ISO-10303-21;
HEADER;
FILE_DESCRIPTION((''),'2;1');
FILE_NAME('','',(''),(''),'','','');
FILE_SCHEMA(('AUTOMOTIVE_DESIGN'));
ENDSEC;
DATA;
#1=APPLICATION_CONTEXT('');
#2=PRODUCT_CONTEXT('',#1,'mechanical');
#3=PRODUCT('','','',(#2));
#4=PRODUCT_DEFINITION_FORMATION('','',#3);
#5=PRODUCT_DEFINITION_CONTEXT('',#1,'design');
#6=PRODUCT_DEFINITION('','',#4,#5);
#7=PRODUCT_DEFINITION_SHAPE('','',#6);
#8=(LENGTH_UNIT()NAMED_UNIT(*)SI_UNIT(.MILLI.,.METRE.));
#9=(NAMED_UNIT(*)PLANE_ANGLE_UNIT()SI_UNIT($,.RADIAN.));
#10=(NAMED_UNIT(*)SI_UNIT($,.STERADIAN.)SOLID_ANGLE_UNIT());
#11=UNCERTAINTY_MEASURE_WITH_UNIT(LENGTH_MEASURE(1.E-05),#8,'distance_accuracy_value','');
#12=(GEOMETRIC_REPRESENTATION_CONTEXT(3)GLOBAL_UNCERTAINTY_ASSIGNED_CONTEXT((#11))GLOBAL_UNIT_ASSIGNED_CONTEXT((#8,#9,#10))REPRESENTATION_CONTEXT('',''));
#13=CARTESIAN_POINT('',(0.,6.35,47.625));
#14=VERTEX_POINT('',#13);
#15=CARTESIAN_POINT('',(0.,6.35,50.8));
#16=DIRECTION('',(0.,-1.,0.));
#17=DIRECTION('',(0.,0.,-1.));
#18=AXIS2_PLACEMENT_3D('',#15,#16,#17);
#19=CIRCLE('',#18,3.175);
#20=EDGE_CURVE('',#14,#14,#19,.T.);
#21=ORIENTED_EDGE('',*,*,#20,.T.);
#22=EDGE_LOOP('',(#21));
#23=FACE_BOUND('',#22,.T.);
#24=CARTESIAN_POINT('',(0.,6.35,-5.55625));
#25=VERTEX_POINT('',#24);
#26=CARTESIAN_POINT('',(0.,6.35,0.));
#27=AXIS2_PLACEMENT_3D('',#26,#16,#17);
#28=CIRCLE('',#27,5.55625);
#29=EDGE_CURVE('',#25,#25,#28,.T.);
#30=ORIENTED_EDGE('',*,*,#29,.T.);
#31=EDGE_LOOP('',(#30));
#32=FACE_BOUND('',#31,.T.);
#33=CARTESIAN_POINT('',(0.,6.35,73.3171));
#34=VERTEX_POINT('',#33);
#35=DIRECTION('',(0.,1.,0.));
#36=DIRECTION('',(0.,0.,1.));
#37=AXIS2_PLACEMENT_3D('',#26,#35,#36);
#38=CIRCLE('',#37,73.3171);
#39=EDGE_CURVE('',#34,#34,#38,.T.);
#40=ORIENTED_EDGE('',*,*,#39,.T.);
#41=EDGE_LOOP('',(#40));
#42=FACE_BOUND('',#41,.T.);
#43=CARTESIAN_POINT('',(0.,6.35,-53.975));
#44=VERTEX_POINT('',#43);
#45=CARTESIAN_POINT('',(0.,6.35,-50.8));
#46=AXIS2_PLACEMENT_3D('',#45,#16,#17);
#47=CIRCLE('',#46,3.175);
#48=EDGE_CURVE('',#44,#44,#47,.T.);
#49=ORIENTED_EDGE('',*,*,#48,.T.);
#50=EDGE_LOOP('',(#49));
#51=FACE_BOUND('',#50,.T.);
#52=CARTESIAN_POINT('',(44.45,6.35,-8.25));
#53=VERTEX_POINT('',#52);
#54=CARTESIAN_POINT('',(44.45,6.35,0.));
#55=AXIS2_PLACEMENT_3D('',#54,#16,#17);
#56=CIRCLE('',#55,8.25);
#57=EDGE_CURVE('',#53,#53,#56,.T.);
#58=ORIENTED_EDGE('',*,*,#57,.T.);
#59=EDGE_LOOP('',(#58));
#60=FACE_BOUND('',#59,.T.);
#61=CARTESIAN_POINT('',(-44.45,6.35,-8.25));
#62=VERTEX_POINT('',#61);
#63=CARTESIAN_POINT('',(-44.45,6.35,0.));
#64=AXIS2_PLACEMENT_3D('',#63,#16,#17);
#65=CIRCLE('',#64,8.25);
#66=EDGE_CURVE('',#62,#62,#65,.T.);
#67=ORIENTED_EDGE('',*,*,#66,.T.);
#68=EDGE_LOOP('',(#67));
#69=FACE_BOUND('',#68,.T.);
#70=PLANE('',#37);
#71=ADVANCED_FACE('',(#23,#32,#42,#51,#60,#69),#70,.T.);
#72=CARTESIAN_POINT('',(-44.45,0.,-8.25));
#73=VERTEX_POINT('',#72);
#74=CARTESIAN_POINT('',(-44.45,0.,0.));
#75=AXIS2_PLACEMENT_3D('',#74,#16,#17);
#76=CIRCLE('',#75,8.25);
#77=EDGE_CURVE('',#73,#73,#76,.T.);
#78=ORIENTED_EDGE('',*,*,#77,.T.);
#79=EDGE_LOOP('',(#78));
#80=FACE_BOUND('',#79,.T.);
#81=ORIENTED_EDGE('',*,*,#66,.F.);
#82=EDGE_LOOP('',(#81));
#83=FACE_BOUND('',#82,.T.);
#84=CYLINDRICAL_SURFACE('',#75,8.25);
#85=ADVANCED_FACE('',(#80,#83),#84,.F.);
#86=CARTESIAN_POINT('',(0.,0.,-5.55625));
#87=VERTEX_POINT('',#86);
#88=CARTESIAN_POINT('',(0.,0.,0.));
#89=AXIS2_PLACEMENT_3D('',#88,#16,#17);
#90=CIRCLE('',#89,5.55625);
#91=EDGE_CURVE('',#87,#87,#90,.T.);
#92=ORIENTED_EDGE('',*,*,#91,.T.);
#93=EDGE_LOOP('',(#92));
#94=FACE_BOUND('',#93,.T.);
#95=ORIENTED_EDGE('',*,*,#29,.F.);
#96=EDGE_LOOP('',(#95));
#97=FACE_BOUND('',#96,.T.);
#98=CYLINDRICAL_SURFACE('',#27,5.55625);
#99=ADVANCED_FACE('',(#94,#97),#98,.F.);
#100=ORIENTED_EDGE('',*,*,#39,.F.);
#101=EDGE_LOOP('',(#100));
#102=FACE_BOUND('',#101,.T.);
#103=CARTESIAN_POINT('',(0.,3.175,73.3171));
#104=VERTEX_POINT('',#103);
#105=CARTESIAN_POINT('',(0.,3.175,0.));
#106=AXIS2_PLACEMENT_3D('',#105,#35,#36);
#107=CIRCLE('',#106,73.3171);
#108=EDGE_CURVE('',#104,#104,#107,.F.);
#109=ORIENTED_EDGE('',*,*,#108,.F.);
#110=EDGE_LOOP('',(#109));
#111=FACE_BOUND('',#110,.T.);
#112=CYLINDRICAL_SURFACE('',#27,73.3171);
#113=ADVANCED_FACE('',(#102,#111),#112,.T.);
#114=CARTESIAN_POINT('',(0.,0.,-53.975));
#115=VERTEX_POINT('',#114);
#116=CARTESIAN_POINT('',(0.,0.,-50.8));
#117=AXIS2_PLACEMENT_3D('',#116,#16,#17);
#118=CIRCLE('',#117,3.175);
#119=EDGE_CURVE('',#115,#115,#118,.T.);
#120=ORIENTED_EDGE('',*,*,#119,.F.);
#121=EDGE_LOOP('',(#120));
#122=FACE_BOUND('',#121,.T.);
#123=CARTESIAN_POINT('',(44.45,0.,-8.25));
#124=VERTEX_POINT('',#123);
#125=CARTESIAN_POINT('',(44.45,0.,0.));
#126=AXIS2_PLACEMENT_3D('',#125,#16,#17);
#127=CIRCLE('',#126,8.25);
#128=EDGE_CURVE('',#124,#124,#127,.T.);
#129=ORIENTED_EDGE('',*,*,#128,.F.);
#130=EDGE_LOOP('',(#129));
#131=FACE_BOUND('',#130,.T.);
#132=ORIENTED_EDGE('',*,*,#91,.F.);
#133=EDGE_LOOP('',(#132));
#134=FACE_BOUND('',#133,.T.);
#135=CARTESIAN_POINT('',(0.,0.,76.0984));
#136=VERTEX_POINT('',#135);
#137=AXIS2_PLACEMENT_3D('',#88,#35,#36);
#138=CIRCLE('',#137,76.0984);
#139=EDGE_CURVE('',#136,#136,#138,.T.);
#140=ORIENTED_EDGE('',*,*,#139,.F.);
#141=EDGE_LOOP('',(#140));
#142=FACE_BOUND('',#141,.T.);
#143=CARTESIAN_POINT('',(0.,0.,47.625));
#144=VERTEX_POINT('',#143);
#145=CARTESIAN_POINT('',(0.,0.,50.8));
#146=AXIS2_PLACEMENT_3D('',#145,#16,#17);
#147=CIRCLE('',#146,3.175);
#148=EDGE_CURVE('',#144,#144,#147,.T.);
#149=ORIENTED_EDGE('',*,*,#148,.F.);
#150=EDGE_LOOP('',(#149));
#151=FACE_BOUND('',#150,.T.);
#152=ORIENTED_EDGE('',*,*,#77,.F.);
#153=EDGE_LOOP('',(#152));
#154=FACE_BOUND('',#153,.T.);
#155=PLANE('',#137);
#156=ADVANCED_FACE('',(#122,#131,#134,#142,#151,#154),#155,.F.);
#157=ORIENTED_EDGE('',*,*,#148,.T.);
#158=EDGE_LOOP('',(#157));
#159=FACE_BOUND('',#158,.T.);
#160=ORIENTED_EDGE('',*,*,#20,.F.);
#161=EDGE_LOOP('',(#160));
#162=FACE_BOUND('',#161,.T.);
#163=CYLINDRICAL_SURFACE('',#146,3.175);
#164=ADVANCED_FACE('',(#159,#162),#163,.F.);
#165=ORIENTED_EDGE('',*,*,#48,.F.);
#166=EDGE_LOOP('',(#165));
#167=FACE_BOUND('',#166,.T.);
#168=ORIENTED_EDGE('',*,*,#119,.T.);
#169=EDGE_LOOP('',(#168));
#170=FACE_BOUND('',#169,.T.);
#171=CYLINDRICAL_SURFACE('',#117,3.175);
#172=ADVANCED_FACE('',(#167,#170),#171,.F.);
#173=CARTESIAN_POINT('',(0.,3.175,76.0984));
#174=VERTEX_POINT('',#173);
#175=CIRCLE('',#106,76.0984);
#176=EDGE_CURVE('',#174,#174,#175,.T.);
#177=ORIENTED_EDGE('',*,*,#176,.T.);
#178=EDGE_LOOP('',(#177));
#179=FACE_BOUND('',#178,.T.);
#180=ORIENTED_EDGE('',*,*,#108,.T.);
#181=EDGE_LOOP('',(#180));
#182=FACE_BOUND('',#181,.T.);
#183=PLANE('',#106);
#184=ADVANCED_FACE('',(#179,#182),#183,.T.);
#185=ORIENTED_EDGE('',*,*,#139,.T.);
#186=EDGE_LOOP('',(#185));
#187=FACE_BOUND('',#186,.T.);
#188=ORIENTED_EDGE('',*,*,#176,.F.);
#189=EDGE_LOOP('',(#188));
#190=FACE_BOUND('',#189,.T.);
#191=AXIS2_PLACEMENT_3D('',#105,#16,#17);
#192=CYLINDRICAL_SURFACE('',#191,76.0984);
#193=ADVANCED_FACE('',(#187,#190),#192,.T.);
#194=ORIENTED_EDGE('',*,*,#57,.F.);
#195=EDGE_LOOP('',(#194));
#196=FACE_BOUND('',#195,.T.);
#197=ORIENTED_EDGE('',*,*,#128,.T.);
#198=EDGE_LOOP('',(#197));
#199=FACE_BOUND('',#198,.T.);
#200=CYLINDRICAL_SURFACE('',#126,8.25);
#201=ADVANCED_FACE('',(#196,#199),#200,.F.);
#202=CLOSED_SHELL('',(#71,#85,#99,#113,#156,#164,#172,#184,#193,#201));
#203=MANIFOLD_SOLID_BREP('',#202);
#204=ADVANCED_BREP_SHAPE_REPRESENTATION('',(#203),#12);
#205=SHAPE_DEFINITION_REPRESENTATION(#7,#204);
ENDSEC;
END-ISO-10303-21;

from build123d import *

# Parameters (mm, degrees)
SKETCH1_R                   = 76.0984
BOSS_EXTRUDE1_DEPTH         = 3.175
SKETCH1_3_R                 = 73.3171
BOSS_EXTRUDE2_DEPTH         = 6.35
F_1_4_0_25_DIAMETER_HOLE1_D = 6.35
M18X1_5_TAPPED_HOLE1_D      = 16.5
SKETCH3_3_R                 = 5.55625
CUT_EXTRUDE2_DEPTH          = 108.806565037


with BuildPart() as part:
    # Sketch1 → Boss-Extrude1 (new body)
    with BuildSketch(Plane(origin=(0, 0, 0), x_dir=(1, 0, 0), z_dir=(0, 1, 0))):
        Circle(SKETCH1_R)
    extrude(amount=BOSS_EXTRUDE1_DEPTH)

    # Sketch1<3> → Boss-Extrude2 (add)
    with BuildSketch(Plane(origin=(0, 0, 0), x_dir=(1, 0, 0), z_dir=(0, 1, 0))):
        Circle(SKETCH1_3_R)
    extrude(amount=BOSS_EXTRUDE2_DEPTH)

    # 1/4 (0.25) Diameter Hole1 (through all)
    with Locations(Plane(origin=(0, 0, 0), x_dir=(-1, 0, 0), z_dir=(0, -1, 0))):
        with Locations((0, 50.8), (0, -50.8)):
            Hole(F_1_4_0_25_DIAMETER_HOLE1_D / 2)

    # M18x1.5 Tapped Hole1 (through all)
    with Locations(Plane(origin=(0, 0, 0), x_dir=(-1, 0, 0), z_dir=(0, -1, 0))):
        with Locations((44.45, 0), (-44.45, 0)):
            Hole(M18X1_5_TAPPED_HOLE1_D / 2)

    # Sketch3<3> → Cut-Extrude2 (cut, through all)
    with BuildSketch(Plane.XZ):
        Circle(SKETCH3_3_R)
    extrude(amount=-CUT_EXTRUDE2_DEPTH, mode=Mode.SUBTRACT)


solid = part.part
